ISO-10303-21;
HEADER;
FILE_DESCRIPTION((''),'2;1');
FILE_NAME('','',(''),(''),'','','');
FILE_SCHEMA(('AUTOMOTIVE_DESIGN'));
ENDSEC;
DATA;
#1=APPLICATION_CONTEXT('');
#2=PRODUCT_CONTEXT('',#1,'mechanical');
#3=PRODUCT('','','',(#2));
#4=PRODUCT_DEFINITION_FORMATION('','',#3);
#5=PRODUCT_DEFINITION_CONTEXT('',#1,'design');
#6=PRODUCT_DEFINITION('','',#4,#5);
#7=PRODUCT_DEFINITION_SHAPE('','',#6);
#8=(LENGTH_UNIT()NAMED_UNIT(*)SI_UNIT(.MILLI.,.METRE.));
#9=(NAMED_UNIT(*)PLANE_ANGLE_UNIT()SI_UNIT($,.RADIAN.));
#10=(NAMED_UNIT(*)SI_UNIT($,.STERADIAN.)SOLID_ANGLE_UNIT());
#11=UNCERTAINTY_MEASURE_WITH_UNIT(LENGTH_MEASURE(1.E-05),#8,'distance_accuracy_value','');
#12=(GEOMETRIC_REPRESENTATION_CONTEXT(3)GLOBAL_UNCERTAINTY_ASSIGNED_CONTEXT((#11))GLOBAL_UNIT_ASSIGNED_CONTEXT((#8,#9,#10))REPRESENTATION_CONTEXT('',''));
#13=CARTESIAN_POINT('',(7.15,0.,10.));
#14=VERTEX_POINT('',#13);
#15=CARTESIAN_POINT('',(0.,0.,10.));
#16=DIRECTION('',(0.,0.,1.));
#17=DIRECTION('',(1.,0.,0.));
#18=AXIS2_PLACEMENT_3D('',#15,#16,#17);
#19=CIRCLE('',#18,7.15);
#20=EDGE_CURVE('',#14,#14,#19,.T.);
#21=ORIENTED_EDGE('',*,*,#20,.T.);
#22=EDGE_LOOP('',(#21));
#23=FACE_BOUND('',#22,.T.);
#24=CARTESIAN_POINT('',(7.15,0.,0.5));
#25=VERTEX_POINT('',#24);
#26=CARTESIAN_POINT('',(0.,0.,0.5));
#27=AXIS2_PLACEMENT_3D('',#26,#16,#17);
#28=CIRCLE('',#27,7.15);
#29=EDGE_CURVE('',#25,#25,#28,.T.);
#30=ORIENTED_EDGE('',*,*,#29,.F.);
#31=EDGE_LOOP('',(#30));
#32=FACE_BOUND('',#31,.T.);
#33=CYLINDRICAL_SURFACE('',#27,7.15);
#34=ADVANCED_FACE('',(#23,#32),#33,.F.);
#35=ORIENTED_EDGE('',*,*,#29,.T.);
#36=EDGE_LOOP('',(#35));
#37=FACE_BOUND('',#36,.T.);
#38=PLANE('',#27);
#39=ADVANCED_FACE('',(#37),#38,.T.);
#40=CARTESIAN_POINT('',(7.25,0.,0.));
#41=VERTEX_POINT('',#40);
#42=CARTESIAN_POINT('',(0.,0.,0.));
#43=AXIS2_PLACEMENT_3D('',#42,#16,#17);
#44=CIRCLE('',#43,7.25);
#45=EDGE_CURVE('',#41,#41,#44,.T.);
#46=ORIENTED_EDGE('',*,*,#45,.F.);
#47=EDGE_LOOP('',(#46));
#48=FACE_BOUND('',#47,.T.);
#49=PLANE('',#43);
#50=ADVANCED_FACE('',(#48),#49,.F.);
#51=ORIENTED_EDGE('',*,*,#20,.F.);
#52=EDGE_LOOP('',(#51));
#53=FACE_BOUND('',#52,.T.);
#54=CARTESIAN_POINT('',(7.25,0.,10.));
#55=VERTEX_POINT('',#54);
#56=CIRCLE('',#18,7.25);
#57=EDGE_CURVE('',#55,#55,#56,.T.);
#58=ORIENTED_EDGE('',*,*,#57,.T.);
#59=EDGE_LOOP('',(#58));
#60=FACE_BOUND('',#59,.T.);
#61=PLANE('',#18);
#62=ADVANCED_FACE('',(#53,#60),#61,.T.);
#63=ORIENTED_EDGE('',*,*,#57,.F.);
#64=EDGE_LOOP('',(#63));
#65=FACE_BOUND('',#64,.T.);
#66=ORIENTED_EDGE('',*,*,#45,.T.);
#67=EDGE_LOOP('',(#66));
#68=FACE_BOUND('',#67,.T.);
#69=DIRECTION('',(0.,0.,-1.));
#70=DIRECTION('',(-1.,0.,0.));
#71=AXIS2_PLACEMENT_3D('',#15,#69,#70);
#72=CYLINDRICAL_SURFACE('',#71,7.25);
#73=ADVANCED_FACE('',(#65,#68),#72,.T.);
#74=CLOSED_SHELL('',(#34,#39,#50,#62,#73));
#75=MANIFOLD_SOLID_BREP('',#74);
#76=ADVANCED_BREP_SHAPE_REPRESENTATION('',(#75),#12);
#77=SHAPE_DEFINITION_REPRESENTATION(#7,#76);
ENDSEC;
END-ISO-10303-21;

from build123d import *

# Parameters (mm, degrees)
SKETCH1_R           = 7.25
BOSS_EXTRUDE1_DEPTH = 10
SKETCH2_R           = 7.15
CUT_EXTRUDE1_DEPTH  = 9.5


with BuildPart() as part:
    # Sketch1 → Boss-Extrude1 (new body)
    with BuildSketch(Plane.XY):
        Circle(SKETCH1_R)
    extrude(amount=BOSS_EXTRUDE1_DEPTH)

    # Sketch2 → Cut-Extrude1 (cut)
    with BuildSketch(Plane.XY.offset(10)):
        Circle(SKETCH2_R)
    extrude(amount=-CUT_EXTRUDE1_DEPTH, mode=Mode.SUBTRACT)


solid = part.part
